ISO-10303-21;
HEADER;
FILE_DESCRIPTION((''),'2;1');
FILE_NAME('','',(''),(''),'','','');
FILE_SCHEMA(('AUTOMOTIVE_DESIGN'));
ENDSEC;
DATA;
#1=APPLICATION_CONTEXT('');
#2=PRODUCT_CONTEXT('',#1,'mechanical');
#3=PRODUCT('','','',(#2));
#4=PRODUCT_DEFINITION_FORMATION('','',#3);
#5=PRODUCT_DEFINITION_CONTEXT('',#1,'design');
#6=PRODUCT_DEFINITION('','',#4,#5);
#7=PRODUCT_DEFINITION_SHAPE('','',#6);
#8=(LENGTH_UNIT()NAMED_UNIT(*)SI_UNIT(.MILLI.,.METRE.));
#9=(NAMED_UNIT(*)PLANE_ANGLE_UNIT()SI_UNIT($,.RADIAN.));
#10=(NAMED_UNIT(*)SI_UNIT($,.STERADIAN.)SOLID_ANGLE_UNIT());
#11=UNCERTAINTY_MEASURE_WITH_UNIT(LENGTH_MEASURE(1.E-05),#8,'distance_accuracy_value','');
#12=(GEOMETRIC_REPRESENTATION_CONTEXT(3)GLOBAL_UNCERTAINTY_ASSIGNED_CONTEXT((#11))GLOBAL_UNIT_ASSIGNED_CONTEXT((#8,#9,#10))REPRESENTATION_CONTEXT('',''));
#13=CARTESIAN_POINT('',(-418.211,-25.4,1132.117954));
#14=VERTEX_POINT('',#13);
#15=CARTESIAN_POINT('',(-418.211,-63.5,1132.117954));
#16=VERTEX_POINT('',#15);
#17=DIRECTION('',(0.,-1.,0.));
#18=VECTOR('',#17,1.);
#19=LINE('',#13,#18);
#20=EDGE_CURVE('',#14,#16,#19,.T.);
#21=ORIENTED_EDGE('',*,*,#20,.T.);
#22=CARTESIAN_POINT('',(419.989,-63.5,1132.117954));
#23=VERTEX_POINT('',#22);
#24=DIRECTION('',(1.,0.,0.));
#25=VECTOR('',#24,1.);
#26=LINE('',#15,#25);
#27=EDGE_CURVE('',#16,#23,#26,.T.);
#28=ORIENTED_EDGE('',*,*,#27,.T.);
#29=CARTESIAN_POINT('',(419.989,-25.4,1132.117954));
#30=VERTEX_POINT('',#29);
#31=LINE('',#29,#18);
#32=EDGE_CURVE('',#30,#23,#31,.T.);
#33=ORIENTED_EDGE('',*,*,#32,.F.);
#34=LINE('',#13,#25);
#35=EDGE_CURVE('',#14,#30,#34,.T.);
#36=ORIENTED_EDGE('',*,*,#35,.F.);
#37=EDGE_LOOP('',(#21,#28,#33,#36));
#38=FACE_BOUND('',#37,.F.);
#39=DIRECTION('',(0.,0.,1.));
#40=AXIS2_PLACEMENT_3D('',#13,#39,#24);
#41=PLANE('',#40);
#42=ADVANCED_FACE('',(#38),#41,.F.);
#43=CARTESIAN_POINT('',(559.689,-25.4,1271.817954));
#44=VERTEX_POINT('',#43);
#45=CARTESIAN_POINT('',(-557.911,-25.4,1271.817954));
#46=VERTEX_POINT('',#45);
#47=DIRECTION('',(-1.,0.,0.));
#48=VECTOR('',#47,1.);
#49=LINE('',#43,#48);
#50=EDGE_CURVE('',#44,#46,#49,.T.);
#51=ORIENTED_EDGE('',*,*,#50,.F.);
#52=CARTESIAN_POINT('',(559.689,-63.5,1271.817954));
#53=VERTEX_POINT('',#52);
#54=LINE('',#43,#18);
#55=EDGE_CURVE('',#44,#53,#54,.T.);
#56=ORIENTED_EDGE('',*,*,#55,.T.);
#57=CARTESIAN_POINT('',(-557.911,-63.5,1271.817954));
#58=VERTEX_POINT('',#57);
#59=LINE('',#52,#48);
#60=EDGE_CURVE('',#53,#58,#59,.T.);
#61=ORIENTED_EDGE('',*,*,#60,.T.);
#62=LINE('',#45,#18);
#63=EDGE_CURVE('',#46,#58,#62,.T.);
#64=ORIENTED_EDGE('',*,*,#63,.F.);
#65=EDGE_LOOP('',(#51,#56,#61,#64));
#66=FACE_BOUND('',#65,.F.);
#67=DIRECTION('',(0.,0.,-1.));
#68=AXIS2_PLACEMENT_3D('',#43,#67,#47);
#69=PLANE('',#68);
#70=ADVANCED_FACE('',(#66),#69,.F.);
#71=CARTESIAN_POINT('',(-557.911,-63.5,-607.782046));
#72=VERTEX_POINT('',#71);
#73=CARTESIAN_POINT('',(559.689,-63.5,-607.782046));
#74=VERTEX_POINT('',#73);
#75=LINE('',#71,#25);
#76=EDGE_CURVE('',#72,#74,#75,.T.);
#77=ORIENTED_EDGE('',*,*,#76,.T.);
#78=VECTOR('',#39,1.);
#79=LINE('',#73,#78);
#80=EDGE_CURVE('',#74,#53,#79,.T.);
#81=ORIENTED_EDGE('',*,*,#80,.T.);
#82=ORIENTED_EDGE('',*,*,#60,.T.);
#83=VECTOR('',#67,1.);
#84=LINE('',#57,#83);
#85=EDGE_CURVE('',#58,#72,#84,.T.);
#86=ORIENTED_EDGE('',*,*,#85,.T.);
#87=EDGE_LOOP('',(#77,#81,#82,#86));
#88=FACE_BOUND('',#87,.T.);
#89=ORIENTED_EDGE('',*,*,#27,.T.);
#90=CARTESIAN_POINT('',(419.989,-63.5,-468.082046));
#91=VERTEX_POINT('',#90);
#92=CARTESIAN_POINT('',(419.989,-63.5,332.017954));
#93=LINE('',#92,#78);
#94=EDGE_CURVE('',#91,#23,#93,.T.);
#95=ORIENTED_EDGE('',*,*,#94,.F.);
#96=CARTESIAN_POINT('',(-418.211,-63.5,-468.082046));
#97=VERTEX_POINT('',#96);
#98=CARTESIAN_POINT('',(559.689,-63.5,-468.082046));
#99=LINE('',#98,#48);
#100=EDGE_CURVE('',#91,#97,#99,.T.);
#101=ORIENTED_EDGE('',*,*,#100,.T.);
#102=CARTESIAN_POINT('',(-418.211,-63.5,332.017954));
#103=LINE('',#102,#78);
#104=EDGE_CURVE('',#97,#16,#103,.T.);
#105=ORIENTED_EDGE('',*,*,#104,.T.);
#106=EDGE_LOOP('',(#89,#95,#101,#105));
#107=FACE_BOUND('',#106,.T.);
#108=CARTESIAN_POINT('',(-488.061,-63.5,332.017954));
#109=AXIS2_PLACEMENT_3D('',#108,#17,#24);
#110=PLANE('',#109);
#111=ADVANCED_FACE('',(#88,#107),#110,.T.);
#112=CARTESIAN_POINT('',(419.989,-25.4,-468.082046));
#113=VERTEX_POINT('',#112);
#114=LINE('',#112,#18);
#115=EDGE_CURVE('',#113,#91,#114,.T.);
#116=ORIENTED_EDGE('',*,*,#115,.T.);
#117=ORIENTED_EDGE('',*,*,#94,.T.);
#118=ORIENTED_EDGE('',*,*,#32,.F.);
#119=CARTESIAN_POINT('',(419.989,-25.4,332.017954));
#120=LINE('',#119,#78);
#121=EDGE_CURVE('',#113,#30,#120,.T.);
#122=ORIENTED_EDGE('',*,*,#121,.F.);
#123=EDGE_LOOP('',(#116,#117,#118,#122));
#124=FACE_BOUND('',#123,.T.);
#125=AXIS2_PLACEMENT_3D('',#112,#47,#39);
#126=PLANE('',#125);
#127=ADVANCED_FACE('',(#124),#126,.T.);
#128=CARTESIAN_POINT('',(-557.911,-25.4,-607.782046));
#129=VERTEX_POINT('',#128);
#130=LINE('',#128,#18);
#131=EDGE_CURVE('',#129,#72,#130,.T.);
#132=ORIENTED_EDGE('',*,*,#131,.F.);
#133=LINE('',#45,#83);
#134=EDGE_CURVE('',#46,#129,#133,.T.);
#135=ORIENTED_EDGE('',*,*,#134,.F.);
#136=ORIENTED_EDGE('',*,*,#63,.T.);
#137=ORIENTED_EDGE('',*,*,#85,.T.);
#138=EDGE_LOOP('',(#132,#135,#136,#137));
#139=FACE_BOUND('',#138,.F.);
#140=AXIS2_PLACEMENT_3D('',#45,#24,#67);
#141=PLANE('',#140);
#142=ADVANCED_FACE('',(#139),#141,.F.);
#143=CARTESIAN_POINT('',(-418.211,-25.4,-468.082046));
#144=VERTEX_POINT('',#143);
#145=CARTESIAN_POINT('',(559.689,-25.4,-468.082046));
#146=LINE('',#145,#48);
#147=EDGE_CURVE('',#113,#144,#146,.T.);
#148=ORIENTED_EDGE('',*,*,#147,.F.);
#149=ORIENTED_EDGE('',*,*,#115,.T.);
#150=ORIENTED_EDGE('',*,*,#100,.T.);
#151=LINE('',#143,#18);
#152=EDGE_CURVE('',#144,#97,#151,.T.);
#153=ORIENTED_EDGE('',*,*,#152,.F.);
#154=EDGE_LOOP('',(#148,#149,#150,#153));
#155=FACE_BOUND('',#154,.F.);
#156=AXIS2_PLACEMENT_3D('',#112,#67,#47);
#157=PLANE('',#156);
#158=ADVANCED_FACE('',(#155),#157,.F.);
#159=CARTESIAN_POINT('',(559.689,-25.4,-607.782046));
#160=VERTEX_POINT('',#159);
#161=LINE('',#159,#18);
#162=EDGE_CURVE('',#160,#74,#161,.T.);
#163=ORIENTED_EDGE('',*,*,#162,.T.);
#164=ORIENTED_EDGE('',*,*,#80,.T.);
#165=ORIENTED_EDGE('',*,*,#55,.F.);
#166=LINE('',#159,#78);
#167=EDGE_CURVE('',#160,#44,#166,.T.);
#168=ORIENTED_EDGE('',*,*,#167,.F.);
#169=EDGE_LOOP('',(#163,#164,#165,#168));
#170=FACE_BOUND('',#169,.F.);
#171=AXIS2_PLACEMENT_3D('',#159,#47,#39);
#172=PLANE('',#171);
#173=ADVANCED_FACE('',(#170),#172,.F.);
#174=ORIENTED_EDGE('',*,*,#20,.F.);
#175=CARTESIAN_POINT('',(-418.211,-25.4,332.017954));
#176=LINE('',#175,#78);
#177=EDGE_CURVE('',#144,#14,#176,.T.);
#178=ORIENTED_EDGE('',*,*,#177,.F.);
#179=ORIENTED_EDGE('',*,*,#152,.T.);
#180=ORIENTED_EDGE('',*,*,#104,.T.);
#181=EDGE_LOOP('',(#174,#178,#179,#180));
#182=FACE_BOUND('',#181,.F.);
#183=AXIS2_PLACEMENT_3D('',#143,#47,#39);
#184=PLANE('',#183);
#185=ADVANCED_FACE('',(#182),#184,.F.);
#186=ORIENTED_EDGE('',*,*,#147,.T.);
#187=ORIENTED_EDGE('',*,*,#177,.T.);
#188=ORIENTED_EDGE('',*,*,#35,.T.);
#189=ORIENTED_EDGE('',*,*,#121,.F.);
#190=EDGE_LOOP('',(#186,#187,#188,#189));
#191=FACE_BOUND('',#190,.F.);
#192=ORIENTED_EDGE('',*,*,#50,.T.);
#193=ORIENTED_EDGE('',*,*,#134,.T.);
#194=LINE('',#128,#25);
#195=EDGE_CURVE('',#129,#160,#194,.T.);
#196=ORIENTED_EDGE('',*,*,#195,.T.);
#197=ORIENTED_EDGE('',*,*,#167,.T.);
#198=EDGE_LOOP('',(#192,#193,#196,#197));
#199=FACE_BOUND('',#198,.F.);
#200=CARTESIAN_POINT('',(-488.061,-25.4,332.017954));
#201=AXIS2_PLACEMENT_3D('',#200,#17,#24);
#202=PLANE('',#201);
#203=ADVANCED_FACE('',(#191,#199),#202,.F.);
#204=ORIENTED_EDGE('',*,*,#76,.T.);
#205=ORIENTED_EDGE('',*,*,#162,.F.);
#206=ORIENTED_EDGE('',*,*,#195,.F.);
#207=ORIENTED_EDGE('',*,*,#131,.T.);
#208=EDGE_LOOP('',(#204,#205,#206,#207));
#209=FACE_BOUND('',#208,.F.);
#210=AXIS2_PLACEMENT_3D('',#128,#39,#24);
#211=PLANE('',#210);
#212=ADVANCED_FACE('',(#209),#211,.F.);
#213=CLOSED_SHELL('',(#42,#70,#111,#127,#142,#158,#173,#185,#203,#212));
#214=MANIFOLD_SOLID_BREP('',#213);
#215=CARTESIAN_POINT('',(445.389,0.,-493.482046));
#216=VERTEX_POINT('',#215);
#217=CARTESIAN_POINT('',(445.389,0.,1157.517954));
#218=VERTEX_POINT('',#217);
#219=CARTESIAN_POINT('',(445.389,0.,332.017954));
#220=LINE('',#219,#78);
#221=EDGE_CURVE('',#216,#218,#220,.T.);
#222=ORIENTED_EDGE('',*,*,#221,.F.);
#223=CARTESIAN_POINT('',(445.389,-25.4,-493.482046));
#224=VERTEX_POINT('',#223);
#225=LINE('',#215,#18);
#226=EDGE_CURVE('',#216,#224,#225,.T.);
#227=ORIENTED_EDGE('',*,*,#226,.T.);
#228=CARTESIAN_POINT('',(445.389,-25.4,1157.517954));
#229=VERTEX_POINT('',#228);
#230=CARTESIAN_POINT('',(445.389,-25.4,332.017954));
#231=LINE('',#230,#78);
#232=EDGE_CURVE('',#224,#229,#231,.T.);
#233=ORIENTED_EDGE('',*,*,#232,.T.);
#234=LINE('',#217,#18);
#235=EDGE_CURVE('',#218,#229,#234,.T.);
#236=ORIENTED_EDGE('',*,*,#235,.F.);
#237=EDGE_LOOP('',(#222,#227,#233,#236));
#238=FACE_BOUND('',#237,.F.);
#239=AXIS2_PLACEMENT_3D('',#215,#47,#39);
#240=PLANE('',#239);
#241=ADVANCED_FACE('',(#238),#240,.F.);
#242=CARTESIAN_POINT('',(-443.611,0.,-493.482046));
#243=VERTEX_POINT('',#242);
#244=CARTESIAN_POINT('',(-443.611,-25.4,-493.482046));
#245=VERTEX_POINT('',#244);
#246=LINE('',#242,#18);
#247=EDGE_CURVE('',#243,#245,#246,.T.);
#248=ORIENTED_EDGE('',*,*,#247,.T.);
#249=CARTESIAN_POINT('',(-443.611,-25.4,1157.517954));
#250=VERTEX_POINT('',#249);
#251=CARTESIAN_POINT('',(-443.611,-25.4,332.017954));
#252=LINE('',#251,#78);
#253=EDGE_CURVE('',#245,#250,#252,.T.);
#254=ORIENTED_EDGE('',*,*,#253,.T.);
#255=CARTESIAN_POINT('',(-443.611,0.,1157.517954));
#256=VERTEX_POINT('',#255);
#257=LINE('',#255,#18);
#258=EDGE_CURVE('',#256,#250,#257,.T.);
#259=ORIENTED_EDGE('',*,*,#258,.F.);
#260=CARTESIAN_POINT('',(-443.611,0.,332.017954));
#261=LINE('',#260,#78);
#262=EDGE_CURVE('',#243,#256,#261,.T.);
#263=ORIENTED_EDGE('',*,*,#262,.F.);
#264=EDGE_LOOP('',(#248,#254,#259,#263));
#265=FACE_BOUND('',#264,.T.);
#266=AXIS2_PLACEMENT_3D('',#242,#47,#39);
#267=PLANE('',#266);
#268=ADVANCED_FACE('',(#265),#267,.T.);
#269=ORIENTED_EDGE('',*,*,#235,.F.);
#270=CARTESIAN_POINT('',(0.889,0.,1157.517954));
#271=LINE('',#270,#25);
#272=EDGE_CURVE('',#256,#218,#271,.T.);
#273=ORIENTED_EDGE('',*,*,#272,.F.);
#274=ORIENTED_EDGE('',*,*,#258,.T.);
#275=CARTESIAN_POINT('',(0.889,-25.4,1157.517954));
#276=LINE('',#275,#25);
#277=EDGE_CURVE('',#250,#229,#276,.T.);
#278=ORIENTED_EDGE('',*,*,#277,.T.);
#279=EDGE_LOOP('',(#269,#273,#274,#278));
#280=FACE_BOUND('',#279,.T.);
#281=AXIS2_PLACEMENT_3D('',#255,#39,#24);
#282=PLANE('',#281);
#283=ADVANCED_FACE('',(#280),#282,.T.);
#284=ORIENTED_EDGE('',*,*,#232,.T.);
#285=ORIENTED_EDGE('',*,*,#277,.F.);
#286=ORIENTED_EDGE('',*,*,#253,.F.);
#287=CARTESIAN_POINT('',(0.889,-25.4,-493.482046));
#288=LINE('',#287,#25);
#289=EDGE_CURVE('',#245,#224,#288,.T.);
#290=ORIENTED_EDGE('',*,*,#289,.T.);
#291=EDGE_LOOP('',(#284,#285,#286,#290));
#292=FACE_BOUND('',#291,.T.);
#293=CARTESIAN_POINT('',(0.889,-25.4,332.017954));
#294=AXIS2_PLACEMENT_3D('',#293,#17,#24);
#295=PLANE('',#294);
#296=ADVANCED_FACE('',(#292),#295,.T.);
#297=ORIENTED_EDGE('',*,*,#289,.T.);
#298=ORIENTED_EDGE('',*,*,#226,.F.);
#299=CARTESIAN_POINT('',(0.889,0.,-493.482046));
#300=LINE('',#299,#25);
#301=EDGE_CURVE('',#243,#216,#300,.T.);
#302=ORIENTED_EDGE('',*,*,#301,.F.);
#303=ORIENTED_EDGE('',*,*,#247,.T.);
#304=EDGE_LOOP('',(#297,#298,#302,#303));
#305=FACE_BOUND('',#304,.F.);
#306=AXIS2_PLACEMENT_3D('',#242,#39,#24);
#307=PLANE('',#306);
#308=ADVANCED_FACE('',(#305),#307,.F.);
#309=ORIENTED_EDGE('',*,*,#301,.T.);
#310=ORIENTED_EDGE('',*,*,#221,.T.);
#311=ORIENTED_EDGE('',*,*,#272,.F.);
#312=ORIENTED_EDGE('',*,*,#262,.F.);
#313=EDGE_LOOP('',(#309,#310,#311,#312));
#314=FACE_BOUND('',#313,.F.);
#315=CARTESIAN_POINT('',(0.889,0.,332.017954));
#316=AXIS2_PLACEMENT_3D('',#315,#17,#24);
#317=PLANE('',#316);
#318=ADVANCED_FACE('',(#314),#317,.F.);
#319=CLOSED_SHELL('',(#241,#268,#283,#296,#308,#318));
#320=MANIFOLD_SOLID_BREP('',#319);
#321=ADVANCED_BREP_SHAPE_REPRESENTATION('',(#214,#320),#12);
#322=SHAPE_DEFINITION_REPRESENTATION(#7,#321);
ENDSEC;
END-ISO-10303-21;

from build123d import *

# Parameters (mm, degrees)
F0_W     = 889
F0_H     = 1651
F1_DEPTH = 25.4
F2_W     = 139.7
F2_H     = 1600.2
F3_DEPTH = 38.1


with BuildPart() as f1:
    # F0 (on Front) → F1 (new body)
    with BuildSketch(Plane.XZ):
        with Locations((0.889, 332.017954)):
            Rectangle(F0_W, F0_H)
    extrude(amount=F1_DEPTH)


with BuildPart() as f3:
    # F2 (on face) → F3 (new body)
    with BuildSketch(Plane.XZ.offset(25.4)):
        with Locations((-488.061, 332.017954)):
            Rectangle(F2_W, F2_H)
        Polygon((-418.211, -468.082046), (-557.911, -468.082046), (-557.911, -607.782046), (559.689, -607.782046), (559.689, -468.082046), (419.989, -468.082046), align=None)
        Polygon((-557.911, 1271.817954), (-557.911, 1132.117954), (-418.211, 1132.117954), (419.989, 1132.117954), (559.689, 1132.117954), (559.689, 1271.817954), align=None)
        with Locations((489.839, 332.017954)):
            Rectangle(F2_W, F2_H)
    extrude(amount=F3_DEPTH)


solid = Compound([f1.part, f3.part])
